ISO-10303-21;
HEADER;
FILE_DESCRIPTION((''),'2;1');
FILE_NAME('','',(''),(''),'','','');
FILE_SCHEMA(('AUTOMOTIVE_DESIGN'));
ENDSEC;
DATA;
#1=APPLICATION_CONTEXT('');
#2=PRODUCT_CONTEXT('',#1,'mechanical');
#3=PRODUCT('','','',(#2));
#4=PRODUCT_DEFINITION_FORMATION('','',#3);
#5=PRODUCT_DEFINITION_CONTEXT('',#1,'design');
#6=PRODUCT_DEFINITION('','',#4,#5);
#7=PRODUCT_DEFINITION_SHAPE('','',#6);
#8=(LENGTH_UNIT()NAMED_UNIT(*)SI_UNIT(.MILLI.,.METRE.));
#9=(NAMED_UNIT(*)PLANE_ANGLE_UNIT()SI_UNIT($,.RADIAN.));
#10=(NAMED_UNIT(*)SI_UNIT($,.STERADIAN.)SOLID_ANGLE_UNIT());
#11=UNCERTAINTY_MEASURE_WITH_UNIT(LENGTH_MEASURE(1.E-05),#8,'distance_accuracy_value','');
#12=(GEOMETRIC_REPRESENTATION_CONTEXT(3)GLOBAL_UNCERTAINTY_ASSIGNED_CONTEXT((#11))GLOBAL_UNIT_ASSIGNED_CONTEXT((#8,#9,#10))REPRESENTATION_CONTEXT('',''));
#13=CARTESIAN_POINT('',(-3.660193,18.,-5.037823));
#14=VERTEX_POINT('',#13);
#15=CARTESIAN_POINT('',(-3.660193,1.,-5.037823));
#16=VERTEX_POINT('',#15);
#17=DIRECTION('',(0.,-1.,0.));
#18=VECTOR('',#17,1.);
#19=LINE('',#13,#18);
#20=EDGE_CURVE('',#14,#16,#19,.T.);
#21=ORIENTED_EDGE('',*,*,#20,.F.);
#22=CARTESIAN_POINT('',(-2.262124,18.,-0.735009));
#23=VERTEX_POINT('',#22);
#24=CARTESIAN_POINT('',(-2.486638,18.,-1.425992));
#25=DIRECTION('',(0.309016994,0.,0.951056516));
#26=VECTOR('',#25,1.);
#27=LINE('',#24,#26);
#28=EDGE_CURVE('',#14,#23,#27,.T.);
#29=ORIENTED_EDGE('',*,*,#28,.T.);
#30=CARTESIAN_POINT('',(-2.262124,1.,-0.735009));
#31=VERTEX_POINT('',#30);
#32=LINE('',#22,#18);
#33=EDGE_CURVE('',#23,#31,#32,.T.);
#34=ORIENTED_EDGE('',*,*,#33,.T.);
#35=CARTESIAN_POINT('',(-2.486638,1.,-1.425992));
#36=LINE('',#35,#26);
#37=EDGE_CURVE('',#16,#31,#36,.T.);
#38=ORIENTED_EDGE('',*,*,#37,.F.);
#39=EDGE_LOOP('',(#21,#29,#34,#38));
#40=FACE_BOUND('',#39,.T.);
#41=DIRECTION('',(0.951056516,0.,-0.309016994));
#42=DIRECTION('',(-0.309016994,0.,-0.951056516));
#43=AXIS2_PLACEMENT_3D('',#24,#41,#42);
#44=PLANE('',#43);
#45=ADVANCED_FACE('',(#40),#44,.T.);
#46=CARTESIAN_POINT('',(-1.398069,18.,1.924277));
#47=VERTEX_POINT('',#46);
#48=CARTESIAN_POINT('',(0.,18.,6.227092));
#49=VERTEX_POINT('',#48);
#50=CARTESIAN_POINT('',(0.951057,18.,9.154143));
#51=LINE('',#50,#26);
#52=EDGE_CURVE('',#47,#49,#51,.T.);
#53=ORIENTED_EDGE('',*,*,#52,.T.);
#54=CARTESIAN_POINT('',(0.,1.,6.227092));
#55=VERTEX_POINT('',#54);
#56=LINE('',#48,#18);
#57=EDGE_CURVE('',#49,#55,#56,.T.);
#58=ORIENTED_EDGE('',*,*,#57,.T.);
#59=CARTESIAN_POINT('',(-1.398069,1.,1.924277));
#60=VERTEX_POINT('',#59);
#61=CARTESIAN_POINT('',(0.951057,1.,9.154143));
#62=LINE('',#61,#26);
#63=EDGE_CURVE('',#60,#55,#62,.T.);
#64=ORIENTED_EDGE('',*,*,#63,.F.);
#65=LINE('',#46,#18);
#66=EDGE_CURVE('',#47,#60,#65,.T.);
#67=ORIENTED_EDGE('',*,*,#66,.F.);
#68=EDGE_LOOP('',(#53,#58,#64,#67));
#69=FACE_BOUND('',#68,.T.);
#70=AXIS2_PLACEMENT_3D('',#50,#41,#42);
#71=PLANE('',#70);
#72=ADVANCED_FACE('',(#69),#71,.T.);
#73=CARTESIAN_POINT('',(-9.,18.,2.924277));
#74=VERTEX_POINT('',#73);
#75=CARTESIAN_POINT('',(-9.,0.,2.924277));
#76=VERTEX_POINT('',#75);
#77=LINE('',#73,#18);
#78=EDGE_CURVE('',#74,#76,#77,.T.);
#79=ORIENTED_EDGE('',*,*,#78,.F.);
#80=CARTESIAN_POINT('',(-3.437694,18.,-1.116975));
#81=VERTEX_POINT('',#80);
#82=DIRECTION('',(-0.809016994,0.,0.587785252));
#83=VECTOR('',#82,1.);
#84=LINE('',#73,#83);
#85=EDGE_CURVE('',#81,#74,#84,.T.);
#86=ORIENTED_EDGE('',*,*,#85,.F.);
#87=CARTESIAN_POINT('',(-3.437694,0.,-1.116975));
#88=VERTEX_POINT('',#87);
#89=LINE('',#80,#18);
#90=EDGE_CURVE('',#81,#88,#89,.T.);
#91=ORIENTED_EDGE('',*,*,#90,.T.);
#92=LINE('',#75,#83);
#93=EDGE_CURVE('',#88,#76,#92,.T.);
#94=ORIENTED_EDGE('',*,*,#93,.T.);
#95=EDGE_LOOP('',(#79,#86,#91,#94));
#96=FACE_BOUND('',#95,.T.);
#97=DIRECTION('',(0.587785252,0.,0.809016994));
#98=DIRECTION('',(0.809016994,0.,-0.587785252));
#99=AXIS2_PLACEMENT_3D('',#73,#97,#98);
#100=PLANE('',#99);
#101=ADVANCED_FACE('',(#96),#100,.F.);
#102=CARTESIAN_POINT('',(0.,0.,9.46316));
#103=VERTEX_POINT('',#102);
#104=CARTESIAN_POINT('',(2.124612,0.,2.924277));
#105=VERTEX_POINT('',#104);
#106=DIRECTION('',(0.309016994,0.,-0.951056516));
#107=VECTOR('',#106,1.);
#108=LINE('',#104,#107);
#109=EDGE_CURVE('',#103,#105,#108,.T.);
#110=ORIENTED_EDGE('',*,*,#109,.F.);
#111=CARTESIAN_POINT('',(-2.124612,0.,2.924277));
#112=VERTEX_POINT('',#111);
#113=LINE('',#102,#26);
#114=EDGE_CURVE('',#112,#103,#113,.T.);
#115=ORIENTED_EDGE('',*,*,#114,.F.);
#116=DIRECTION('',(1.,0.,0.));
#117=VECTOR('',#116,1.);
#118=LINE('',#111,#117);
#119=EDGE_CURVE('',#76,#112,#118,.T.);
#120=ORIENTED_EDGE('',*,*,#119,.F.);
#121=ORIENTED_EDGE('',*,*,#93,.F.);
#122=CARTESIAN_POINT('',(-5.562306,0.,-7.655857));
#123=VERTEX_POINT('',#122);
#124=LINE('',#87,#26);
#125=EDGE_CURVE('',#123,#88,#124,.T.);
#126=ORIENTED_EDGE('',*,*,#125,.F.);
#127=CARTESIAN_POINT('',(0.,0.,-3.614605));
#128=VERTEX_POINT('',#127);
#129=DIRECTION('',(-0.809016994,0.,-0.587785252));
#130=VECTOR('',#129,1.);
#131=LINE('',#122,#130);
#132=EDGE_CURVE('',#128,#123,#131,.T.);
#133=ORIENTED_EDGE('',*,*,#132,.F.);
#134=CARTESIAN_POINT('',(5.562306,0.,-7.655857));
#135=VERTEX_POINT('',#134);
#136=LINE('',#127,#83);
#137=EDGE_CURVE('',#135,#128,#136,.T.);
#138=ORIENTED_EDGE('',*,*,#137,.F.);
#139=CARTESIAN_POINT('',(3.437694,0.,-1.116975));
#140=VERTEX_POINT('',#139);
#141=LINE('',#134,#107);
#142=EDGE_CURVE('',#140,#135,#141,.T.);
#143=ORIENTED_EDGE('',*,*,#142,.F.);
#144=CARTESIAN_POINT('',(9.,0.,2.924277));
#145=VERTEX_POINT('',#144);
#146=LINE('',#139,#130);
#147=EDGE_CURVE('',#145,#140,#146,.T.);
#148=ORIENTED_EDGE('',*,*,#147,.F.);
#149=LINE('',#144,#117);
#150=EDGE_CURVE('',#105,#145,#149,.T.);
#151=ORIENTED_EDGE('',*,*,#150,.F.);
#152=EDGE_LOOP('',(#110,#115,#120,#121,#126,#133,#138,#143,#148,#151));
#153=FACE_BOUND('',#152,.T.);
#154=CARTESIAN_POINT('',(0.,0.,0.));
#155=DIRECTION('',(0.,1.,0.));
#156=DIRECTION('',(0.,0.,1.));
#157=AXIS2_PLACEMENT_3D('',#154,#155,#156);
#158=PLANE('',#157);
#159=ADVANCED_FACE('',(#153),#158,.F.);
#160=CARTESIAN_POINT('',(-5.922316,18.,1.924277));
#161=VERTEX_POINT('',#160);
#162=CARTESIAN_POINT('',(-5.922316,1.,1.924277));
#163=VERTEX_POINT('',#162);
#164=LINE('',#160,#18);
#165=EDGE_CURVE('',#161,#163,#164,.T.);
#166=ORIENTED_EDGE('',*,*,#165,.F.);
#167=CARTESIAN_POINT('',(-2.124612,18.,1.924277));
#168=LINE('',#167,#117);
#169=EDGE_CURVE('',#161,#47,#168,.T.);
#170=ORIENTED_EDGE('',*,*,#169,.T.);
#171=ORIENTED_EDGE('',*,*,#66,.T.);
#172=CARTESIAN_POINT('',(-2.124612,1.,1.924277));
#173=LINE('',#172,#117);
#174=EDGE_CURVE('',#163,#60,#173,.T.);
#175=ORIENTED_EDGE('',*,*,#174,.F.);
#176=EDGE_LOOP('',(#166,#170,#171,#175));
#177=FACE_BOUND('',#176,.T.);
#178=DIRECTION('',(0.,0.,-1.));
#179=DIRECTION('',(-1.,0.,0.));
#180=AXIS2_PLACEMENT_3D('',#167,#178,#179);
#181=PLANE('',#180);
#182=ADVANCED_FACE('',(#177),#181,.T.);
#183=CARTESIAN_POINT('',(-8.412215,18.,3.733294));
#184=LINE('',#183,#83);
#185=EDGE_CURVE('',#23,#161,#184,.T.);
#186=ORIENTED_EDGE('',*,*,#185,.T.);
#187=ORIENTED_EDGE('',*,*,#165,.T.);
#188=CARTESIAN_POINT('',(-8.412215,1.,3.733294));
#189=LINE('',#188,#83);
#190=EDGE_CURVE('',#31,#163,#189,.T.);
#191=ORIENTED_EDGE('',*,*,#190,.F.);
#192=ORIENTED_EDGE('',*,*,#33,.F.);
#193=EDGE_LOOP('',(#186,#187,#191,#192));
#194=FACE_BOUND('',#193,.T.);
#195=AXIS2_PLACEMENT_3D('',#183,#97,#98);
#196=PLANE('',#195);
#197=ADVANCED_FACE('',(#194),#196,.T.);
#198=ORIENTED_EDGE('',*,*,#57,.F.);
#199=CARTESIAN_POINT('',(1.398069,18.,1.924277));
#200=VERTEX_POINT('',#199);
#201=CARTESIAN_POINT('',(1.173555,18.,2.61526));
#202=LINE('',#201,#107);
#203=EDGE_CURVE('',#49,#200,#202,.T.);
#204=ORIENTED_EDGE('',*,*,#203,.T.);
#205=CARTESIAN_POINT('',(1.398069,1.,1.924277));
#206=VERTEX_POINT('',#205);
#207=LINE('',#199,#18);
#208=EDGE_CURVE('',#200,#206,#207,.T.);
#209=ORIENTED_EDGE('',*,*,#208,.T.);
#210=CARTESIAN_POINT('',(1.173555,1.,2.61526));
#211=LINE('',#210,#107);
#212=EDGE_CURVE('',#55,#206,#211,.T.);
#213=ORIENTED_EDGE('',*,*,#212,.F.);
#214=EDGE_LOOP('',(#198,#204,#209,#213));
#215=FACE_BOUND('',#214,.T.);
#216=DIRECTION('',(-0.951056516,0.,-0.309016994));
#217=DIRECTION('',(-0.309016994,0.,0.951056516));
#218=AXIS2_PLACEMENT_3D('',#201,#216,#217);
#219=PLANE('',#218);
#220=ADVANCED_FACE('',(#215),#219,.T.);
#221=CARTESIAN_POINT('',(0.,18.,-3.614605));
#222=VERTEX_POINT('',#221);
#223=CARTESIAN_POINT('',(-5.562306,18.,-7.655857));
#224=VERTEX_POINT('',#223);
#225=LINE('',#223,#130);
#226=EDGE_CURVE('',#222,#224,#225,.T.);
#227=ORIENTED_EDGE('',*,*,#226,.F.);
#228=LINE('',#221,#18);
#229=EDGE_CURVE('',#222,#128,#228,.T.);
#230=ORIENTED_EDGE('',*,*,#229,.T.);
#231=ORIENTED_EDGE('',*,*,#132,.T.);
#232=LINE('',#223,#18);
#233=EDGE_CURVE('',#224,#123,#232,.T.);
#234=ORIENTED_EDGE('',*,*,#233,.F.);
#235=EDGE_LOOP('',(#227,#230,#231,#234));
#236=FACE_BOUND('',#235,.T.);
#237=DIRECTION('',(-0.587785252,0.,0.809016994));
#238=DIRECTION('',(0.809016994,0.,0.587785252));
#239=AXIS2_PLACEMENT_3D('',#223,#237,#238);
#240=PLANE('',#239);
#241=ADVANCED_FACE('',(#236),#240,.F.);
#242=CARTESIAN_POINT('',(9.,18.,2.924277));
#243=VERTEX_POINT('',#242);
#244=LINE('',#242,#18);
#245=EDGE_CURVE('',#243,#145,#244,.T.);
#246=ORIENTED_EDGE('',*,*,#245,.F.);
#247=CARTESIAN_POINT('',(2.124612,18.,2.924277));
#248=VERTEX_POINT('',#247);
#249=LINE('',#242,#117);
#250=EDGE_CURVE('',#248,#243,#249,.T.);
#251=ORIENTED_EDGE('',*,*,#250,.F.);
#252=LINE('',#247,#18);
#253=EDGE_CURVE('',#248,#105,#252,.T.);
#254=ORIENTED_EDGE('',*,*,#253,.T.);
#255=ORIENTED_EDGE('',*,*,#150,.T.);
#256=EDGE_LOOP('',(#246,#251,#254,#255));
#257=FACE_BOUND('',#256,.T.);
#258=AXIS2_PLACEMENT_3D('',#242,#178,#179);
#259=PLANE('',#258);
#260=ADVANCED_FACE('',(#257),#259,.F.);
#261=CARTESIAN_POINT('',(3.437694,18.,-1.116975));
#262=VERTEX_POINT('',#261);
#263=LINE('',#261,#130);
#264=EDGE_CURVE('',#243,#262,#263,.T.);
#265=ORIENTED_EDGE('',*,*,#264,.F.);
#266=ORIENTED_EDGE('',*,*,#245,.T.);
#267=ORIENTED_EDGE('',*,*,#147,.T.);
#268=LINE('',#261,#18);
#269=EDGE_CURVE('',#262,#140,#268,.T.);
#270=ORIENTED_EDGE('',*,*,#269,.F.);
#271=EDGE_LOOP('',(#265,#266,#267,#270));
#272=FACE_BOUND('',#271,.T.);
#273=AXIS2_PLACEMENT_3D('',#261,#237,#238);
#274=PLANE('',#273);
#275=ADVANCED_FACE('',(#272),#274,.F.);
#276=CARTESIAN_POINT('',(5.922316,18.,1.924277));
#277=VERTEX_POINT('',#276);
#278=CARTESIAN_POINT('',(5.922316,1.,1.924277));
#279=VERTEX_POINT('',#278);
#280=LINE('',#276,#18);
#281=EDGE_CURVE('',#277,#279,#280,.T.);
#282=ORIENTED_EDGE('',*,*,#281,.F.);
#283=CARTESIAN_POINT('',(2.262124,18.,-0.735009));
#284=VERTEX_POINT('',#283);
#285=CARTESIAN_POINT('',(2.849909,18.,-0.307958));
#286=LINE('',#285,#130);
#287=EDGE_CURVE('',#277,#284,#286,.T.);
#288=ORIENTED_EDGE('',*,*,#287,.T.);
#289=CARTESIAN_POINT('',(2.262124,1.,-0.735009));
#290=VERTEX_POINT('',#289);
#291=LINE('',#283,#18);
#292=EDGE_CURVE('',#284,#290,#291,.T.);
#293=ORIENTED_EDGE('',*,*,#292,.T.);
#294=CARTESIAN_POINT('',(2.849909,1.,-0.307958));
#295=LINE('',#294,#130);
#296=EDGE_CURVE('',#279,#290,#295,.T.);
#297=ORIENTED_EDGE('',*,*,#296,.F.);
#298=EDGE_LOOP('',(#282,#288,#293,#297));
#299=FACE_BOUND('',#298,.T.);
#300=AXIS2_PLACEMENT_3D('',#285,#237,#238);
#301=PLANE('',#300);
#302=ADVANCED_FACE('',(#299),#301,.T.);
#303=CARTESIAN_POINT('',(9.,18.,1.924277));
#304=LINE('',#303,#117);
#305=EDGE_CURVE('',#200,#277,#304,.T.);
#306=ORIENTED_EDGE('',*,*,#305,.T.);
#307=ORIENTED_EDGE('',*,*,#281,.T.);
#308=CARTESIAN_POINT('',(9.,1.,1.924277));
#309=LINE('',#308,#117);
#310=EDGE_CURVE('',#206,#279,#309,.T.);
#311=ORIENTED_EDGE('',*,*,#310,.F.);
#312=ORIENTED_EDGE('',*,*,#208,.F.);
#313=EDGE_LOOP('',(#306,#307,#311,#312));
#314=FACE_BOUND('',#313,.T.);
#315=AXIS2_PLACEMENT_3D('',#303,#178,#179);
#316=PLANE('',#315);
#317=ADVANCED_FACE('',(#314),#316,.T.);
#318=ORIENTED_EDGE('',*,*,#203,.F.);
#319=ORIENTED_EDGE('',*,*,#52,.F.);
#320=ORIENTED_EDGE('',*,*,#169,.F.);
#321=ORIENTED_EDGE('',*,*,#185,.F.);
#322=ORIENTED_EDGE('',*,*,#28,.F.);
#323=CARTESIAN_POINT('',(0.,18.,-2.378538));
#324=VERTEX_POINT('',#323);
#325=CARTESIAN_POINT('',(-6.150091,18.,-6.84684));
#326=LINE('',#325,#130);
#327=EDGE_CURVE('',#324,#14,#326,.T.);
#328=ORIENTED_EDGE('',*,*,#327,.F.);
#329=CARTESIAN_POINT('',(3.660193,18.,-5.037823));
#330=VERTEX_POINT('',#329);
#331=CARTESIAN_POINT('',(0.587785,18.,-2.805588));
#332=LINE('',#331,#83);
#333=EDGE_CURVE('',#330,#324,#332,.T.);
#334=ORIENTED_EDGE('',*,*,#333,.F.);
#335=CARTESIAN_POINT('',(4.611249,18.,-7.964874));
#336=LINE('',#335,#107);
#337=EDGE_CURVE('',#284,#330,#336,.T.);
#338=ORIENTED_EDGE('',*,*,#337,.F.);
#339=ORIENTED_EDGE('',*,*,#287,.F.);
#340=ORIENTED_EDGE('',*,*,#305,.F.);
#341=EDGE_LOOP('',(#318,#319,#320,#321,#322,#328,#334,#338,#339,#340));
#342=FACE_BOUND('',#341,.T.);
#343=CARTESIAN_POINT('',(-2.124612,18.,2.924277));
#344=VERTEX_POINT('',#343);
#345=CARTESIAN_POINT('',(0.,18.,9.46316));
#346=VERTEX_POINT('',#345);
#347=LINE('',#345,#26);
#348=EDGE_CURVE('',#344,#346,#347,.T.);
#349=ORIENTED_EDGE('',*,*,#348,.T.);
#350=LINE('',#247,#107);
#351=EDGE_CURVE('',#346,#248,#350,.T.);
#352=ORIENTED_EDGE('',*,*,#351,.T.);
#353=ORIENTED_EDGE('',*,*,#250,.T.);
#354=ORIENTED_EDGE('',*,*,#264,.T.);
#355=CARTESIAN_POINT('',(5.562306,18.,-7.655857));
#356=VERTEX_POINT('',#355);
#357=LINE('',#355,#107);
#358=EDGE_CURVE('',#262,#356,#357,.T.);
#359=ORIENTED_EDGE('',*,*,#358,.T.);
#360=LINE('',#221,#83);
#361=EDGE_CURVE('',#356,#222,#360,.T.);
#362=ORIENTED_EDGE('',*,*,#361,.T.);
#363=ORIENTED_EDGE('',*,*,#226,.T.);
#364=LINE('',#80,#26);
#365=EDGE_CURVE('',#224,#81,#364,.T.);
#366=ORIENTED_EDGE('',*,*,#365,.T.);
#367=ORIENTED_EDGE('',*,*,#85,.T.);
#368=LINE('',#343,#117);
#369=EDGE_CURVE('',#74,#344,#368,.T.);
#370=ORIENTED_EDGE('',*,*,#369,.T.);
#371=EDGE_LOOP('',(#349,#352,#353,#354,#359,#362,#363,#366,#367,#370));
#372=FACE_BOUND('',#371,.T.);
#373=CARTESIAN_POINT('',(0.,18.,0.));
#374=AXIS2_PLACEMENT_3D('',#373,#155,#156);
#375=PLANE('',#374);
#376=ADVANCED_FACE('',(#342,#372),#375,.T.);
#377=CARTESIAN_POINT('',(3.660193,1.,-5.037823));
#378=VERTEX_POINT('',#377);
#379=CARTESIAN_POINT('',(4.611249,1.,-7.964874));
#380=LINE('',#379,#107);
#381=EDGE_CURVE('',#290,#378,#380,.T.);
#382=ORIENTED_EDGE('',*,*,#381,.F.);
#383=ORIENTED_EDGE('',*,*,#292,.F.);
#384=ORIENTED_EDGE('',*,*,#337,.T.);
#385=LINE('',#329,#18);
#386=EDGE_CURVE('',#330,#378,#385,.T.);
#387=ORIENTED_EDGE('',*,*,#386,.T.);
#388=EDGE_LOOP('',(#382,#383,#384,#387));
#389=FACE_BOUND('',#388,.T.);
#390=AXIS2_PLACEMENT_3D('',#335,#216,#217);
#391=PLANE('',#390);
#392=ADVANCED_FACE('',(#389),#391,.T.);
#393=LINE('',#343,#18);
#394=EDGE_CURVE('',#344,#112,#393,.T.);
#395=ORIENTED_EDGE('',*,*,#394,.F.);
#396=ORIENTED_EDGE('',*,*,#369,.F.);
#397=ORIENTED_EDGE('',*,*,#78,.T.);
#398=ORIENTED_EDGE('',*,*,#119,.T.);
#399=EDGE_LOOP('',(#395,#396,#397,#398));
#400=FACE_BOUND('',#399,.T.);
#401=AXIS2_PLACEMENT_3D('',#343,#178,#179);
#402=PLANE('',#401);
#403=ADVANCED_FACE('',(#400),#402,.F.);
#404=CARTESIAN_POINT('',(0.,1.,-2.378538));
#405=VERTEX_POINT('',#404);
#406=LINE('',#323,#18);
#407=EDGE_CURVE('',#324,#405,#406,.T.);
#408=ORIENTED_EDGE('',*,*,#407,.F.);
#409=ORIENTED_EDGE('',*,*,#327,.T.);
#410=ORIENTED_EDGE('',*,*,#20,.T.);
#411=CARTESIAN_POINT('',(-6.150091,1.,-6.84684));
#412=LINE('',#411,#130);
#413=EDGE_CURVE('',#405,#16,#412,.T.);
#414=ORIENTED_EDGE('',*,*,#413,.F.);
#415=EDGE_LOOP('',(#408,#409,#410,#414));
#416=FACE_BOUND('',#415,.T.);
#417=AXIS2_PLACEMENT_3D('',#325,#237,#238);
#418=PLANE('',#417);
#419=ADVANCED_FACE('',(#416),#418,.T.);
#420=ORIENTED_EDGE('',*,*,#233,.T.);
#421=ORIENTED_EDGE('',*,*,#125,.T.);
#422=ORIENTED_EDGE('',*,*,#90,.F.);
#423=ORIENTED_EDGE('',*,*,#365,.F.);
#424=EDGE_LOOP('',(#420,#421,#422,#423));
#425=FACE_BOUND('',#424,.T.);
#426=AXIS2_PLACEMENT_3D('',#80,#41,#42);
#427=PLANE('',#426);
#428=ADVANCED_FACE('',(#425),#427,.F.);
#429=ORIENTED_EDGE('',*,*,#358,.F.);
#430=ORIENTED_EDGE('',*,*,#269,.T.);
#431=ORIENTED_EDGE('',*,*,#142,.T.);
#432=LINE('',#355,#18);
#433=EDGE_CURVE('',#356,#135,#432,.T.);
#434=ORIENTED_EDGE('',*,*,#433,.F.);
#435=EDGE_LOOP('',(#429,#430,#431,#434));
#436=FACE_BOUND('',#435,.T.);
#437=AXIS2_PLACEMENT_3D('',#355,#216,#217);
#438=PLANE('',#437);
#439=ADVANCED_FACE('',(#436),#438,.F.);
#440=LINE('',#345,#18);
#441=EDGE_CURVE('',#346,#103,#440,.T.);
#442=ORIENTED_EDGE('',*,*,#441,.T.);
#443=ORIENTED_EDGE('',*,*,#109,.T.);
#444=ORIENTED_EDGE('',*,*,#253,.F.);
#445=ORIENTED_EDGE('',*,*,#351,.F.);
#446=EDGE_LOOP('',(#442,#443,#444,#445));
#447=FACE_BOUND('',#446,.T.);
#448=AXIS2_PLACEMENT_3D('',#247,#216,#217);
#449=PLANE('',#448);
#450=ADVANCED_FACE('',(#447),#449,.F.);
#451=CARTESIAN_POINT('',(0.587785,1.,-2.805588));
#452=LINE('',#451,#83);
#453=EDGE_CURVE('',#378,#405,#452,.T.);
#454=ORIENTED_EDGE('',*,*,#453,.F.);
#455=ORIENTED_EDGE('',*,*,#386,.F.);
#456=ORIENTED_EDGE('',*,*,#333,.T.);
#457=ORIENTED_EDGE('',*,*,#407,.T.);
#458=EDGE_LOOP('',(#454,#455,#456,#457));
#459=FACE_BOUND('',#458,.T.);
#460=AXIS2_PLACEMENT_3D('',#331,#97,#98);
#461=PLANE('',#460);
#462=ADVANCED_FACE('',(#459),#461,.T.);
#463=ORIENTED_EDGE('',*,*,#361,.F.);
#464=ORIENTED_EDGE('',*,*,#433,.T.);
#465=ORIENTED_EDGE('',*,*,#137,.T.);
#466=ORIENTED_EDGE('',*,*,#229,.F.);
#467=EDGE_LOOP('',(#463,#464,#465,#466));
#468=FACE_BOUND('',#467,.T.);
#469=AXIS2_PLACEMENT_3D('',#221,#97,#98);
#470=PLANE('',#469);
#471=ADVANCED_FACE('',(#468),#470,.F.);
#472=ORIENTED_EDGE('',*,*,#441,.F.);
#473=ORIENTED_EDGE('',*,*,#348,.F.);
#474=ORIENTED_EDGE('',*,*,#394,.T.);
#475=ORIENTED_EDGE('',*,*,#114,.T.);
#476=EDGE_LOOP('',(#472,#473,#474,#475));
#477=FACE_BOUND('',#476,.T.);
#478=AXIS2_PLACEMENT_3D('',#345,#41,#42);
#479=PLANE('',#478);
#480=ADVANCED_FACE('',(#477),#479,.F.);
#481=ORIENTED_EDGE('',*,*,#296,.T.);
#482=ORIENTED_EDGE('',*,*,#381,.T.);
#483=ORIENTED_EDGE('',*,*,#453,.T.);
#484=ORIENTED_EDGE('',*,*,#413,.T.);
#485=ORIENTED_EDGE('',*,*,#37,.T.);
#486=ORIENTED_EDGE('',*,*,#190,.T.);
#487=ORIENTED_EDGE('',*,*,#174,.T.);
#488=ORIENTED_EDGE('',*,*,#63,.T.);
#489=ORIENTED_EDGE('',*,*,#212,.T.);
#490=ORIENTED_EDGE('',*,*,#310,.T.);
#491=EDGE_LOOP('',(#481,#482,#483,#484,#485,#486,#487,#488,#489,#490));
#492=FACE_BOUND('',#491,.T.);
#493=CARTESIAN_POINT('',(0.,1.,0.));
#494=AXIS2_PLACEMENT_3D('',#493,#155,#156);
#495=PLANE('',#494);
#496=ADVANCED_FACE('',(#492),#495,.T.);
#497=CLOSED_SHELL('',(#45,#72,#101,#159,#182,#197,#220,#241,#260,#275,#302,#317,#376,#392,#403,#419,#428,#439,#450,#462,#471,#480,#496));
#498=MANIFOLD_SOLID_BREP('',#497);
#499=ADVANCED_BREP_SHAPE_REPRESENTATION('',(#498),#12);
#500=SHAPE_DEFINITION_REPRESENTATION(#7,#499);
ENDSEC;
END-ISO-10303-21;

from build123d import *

# Parameters (mm, degrees)
BOSS_EXTRUDE1_DEPTH = 18
SHELL2_T            = -1


with BuildPart() as part:
    # Sketch1 → Boss-Extrude1 (new body)
    with BuildSketch(Plane(origin=(0, 0, 0), x_dir=(1, 0, 0), z_dir=(0, 1, 0))):
        Polygon((2.124611797, -2.924277266), (0, -9.463160018), (-2.124611797, -2.924277266), (-9, -2.924277266), (-3.437694101, 1.116974523), (-5.562305899, 7.655857275), (0, 3.614605486), (5.562305899, 7.655857275), (3.437694101, 1.116974523), (9, -2.924277266), align=None)
    extrude(amount=BOSS_EXTRUDE1_DEPTH)

    # Shell2
    shell2_openings = [part.faces().sort_by_distance(p)[0] for p in [
        (0, 18, 0),
    ]]
    offset(amount=SHELL2_T, openings=shell2_openings, kind=Kind.INTERSECTION)


solid = part.part
